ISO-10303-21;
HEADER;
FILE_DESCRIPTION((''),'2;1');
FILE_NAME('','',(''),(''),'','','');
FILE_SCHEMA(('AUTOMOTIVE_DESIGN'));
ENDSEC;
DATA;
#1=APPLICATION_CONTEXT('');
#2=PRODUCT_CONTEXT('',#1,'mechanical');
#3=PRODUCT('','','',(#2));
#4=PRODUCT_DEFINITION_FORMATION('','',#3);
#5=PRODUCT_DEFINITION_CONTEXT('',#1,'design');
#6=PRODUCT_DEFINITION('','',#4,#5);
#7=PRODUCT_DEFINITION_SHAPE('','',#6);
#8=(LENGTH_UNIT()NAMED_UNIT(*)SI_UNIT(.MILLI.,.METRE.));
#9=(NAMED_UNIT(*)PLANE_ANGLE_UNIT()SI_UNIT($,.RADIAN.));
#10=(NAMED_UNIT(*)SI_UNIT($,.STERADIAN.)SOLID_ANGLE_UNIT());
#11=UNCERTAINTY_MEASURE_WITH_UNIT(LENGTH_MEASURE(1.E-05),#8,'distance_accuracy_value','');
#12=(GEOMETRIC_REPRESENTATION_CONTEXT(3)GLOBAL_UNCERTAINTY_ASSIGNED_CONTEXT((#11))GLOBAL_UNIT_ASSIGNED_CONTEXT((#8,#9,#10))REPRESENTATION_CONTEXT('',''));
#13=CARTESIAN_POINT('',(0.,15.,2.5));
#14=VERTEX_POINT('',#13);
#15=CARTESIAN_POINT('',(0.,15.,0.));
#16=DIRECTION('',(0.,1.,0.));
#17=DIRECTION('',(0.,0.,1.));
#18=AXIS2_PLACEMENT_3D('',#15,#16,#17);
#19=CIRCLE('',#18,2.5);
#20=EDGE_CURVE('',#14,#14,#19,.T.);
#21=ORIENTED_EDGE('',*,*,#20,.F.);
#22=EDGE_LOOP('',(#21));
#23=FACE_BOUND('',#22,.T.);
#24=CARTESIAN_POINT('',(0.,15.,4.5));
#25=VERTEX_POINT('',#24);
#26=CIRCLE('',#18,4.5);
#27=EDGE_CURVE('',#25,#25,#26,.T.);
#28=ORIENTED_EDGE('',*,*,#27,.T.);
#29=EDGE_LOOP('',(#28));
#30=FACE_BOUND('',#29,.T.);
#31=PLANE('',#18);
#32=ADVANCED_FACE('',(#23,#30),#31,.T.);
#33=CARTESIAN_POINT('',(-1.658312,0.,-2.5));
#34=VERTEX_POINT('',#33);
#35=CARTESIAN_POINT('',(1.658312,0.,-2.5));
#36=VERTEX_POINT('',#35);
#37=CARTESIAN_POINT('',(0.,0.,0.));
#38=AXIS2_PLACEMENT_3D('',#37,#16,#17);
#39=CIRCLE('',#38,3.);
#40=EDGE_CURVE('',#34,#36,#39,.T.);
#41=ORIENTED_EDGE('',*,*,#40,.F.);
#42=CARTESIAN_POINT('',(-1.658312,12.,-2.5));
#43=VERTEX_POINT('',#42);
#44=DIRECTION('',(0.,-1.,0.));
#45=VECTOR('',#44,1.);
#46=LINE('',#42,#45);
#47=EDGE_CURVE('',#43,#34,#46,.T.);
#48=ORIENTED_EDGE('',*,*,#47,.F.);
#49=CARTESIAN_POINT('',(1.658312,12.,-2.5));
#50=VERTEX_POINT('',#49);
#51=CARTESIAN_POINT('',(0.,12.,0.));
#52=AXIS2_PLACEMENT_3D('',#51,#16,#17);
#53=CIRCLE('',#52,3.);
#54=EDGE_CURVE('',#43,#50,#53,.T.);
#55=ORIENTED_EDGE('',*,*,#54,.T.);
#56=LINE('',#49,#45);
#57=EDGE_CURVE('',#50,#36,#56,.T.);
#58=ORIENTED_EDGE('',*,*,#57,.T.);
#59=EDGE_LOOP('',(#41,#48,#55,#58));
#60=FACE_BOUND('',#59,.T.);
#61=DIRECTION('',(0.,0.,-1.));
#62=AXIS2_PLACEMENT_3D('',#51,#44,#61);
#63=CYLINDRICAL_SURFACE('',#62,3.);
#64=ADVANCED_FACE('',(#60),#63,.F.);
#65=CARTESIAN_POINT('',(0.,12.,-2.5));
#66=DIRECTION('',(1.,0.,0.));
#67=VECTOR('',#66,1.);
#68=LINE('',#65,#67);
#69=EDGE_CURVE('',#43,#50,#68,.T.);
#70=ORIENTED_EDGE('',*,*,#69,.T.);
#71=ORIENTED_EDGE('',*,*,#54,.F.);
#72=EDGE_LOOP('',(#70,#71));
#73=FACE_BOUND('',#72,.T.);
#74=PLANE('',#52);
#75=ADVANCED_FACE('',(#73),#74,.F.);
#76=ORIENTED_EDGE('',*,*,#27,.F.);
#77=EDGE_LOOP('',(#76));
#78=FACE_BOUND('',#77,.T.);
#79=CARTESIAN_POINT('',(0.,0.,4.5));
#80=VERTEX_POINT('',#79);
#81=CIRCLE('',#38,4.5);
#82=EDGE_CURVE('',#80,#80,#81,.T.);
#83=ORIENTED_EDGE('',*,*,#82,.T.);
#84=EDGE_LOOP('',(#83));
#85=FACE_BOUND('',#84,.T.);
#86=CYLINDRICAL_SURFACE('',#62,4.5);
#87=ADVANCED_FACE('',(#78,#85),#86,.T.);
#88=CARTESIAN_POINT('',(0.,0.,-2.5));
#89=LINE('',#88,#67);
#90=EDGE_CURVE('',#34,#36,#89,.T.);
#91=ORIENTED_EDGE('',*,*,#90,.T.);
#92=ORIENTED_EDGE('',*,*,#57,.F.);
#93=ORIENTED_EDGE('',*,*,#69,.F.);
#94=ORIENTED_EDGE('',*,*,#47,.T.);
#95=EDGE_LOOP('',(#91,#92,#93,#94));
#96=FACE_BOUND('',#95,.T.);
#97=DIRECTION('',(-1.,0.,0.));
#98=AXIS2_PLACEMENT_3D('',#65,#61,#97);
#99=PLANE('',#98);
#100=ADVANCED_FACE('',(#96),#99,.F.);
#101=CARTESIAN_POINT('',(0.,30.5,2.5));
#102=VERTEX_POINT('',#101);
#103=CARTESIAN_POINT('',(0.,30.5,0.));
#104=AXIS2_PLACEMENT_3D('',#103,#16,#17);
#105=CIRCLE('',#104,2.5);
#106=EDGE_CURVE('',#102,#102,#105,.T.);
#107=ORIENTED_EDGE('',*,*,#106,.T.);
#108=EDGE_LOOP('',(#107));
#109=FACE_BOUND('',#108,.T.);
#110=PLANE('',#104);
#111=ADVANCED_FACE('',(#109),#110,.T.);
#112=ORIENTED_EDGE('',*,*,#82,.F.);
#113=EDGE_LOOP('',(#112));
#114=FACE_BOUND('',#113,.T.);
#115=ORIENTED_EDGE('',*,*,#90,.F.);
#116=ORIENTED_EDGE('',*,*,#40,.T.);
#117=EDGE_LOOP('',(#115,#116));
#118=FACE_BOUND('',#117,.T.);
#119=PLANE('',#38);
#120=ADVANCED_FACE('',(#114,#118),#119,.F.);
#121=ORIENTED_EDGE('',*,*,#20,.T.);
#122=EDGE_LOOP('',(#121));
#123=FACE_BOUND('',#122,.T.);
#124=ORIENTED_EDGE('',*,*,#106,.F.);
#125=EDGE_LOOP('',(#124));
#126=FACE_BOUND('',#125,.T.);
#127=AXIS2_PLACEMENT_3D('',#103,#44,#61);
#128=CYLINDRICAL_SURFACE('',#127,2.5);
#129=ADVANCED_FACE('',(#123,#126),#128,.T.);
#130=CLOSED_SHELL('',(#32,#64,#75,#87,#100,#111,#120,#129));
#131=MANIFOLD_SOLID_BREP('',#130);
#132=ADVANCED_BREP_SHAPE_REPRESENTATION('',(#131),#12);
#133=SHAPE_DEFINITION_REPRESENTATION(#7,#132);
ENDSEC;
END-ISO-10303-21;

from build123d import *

# Parameters (mm, degrees)
SKETCH2_R           = 4.5
BOSS_EXTRUDE1_DEPTH = 12
SKETCH3_R           = 4.5
BOSS_EXTRUDE2_DEPTH = 3
SKETCH4_R           = 2.5
BOSS_EXTRUDE3_DEPTH = 15.5


with BuildPart() as part:
    # Sketch2 → Boss-Extrude1 (new body)
    with BuildSketch(Plane(origin=(0, 0, 0), x_dir=(1, 0, 0), z_dir=(0, 1, 0))):
        with Locations(Location((0, 0, 0), (0, 0, 270))):
            Circle(SKETCH2_R)
        with BuildLine():
            ThreePointArc((1.658312395, 2.5), (0, -3), (-1.658312395, 2.5))
            Line((-1.658312395, 2.5), (1.658312395, 2.5))
        make_face(mode=Mode.SUBTRACT)
    extrude(amount=BOSS_EXTRUDE1_DEPTH)

    # Sketch3 → Boss-Extrude2 (add)
    with BuildSketch(Plane(origin=(0, 12, 0), x_dir=(1, 0, 0), z_dir=(0, 1, 0))):
        with Locations(Location((0, 0, 0), (0, 0, 270))):
            Circle(SKETCH3_R)
    extrude(amount=BOSS_EXTRUDE2_DEPTH)

    # Sketch4 → Boss-Extrude3 (add)
    with BuildSketch(Plane(origin=(0, 15, 0), x_dir=(1, 0, 0), z_dir=(0, 1, 0))):
        with Locations(Location((0, 0, 0), (0, 0, 270))):
            Circle(SKETCH4_R)
    extrude(amount=BOSS_EXTRUDE3_DEPTH)


solid = part.part
